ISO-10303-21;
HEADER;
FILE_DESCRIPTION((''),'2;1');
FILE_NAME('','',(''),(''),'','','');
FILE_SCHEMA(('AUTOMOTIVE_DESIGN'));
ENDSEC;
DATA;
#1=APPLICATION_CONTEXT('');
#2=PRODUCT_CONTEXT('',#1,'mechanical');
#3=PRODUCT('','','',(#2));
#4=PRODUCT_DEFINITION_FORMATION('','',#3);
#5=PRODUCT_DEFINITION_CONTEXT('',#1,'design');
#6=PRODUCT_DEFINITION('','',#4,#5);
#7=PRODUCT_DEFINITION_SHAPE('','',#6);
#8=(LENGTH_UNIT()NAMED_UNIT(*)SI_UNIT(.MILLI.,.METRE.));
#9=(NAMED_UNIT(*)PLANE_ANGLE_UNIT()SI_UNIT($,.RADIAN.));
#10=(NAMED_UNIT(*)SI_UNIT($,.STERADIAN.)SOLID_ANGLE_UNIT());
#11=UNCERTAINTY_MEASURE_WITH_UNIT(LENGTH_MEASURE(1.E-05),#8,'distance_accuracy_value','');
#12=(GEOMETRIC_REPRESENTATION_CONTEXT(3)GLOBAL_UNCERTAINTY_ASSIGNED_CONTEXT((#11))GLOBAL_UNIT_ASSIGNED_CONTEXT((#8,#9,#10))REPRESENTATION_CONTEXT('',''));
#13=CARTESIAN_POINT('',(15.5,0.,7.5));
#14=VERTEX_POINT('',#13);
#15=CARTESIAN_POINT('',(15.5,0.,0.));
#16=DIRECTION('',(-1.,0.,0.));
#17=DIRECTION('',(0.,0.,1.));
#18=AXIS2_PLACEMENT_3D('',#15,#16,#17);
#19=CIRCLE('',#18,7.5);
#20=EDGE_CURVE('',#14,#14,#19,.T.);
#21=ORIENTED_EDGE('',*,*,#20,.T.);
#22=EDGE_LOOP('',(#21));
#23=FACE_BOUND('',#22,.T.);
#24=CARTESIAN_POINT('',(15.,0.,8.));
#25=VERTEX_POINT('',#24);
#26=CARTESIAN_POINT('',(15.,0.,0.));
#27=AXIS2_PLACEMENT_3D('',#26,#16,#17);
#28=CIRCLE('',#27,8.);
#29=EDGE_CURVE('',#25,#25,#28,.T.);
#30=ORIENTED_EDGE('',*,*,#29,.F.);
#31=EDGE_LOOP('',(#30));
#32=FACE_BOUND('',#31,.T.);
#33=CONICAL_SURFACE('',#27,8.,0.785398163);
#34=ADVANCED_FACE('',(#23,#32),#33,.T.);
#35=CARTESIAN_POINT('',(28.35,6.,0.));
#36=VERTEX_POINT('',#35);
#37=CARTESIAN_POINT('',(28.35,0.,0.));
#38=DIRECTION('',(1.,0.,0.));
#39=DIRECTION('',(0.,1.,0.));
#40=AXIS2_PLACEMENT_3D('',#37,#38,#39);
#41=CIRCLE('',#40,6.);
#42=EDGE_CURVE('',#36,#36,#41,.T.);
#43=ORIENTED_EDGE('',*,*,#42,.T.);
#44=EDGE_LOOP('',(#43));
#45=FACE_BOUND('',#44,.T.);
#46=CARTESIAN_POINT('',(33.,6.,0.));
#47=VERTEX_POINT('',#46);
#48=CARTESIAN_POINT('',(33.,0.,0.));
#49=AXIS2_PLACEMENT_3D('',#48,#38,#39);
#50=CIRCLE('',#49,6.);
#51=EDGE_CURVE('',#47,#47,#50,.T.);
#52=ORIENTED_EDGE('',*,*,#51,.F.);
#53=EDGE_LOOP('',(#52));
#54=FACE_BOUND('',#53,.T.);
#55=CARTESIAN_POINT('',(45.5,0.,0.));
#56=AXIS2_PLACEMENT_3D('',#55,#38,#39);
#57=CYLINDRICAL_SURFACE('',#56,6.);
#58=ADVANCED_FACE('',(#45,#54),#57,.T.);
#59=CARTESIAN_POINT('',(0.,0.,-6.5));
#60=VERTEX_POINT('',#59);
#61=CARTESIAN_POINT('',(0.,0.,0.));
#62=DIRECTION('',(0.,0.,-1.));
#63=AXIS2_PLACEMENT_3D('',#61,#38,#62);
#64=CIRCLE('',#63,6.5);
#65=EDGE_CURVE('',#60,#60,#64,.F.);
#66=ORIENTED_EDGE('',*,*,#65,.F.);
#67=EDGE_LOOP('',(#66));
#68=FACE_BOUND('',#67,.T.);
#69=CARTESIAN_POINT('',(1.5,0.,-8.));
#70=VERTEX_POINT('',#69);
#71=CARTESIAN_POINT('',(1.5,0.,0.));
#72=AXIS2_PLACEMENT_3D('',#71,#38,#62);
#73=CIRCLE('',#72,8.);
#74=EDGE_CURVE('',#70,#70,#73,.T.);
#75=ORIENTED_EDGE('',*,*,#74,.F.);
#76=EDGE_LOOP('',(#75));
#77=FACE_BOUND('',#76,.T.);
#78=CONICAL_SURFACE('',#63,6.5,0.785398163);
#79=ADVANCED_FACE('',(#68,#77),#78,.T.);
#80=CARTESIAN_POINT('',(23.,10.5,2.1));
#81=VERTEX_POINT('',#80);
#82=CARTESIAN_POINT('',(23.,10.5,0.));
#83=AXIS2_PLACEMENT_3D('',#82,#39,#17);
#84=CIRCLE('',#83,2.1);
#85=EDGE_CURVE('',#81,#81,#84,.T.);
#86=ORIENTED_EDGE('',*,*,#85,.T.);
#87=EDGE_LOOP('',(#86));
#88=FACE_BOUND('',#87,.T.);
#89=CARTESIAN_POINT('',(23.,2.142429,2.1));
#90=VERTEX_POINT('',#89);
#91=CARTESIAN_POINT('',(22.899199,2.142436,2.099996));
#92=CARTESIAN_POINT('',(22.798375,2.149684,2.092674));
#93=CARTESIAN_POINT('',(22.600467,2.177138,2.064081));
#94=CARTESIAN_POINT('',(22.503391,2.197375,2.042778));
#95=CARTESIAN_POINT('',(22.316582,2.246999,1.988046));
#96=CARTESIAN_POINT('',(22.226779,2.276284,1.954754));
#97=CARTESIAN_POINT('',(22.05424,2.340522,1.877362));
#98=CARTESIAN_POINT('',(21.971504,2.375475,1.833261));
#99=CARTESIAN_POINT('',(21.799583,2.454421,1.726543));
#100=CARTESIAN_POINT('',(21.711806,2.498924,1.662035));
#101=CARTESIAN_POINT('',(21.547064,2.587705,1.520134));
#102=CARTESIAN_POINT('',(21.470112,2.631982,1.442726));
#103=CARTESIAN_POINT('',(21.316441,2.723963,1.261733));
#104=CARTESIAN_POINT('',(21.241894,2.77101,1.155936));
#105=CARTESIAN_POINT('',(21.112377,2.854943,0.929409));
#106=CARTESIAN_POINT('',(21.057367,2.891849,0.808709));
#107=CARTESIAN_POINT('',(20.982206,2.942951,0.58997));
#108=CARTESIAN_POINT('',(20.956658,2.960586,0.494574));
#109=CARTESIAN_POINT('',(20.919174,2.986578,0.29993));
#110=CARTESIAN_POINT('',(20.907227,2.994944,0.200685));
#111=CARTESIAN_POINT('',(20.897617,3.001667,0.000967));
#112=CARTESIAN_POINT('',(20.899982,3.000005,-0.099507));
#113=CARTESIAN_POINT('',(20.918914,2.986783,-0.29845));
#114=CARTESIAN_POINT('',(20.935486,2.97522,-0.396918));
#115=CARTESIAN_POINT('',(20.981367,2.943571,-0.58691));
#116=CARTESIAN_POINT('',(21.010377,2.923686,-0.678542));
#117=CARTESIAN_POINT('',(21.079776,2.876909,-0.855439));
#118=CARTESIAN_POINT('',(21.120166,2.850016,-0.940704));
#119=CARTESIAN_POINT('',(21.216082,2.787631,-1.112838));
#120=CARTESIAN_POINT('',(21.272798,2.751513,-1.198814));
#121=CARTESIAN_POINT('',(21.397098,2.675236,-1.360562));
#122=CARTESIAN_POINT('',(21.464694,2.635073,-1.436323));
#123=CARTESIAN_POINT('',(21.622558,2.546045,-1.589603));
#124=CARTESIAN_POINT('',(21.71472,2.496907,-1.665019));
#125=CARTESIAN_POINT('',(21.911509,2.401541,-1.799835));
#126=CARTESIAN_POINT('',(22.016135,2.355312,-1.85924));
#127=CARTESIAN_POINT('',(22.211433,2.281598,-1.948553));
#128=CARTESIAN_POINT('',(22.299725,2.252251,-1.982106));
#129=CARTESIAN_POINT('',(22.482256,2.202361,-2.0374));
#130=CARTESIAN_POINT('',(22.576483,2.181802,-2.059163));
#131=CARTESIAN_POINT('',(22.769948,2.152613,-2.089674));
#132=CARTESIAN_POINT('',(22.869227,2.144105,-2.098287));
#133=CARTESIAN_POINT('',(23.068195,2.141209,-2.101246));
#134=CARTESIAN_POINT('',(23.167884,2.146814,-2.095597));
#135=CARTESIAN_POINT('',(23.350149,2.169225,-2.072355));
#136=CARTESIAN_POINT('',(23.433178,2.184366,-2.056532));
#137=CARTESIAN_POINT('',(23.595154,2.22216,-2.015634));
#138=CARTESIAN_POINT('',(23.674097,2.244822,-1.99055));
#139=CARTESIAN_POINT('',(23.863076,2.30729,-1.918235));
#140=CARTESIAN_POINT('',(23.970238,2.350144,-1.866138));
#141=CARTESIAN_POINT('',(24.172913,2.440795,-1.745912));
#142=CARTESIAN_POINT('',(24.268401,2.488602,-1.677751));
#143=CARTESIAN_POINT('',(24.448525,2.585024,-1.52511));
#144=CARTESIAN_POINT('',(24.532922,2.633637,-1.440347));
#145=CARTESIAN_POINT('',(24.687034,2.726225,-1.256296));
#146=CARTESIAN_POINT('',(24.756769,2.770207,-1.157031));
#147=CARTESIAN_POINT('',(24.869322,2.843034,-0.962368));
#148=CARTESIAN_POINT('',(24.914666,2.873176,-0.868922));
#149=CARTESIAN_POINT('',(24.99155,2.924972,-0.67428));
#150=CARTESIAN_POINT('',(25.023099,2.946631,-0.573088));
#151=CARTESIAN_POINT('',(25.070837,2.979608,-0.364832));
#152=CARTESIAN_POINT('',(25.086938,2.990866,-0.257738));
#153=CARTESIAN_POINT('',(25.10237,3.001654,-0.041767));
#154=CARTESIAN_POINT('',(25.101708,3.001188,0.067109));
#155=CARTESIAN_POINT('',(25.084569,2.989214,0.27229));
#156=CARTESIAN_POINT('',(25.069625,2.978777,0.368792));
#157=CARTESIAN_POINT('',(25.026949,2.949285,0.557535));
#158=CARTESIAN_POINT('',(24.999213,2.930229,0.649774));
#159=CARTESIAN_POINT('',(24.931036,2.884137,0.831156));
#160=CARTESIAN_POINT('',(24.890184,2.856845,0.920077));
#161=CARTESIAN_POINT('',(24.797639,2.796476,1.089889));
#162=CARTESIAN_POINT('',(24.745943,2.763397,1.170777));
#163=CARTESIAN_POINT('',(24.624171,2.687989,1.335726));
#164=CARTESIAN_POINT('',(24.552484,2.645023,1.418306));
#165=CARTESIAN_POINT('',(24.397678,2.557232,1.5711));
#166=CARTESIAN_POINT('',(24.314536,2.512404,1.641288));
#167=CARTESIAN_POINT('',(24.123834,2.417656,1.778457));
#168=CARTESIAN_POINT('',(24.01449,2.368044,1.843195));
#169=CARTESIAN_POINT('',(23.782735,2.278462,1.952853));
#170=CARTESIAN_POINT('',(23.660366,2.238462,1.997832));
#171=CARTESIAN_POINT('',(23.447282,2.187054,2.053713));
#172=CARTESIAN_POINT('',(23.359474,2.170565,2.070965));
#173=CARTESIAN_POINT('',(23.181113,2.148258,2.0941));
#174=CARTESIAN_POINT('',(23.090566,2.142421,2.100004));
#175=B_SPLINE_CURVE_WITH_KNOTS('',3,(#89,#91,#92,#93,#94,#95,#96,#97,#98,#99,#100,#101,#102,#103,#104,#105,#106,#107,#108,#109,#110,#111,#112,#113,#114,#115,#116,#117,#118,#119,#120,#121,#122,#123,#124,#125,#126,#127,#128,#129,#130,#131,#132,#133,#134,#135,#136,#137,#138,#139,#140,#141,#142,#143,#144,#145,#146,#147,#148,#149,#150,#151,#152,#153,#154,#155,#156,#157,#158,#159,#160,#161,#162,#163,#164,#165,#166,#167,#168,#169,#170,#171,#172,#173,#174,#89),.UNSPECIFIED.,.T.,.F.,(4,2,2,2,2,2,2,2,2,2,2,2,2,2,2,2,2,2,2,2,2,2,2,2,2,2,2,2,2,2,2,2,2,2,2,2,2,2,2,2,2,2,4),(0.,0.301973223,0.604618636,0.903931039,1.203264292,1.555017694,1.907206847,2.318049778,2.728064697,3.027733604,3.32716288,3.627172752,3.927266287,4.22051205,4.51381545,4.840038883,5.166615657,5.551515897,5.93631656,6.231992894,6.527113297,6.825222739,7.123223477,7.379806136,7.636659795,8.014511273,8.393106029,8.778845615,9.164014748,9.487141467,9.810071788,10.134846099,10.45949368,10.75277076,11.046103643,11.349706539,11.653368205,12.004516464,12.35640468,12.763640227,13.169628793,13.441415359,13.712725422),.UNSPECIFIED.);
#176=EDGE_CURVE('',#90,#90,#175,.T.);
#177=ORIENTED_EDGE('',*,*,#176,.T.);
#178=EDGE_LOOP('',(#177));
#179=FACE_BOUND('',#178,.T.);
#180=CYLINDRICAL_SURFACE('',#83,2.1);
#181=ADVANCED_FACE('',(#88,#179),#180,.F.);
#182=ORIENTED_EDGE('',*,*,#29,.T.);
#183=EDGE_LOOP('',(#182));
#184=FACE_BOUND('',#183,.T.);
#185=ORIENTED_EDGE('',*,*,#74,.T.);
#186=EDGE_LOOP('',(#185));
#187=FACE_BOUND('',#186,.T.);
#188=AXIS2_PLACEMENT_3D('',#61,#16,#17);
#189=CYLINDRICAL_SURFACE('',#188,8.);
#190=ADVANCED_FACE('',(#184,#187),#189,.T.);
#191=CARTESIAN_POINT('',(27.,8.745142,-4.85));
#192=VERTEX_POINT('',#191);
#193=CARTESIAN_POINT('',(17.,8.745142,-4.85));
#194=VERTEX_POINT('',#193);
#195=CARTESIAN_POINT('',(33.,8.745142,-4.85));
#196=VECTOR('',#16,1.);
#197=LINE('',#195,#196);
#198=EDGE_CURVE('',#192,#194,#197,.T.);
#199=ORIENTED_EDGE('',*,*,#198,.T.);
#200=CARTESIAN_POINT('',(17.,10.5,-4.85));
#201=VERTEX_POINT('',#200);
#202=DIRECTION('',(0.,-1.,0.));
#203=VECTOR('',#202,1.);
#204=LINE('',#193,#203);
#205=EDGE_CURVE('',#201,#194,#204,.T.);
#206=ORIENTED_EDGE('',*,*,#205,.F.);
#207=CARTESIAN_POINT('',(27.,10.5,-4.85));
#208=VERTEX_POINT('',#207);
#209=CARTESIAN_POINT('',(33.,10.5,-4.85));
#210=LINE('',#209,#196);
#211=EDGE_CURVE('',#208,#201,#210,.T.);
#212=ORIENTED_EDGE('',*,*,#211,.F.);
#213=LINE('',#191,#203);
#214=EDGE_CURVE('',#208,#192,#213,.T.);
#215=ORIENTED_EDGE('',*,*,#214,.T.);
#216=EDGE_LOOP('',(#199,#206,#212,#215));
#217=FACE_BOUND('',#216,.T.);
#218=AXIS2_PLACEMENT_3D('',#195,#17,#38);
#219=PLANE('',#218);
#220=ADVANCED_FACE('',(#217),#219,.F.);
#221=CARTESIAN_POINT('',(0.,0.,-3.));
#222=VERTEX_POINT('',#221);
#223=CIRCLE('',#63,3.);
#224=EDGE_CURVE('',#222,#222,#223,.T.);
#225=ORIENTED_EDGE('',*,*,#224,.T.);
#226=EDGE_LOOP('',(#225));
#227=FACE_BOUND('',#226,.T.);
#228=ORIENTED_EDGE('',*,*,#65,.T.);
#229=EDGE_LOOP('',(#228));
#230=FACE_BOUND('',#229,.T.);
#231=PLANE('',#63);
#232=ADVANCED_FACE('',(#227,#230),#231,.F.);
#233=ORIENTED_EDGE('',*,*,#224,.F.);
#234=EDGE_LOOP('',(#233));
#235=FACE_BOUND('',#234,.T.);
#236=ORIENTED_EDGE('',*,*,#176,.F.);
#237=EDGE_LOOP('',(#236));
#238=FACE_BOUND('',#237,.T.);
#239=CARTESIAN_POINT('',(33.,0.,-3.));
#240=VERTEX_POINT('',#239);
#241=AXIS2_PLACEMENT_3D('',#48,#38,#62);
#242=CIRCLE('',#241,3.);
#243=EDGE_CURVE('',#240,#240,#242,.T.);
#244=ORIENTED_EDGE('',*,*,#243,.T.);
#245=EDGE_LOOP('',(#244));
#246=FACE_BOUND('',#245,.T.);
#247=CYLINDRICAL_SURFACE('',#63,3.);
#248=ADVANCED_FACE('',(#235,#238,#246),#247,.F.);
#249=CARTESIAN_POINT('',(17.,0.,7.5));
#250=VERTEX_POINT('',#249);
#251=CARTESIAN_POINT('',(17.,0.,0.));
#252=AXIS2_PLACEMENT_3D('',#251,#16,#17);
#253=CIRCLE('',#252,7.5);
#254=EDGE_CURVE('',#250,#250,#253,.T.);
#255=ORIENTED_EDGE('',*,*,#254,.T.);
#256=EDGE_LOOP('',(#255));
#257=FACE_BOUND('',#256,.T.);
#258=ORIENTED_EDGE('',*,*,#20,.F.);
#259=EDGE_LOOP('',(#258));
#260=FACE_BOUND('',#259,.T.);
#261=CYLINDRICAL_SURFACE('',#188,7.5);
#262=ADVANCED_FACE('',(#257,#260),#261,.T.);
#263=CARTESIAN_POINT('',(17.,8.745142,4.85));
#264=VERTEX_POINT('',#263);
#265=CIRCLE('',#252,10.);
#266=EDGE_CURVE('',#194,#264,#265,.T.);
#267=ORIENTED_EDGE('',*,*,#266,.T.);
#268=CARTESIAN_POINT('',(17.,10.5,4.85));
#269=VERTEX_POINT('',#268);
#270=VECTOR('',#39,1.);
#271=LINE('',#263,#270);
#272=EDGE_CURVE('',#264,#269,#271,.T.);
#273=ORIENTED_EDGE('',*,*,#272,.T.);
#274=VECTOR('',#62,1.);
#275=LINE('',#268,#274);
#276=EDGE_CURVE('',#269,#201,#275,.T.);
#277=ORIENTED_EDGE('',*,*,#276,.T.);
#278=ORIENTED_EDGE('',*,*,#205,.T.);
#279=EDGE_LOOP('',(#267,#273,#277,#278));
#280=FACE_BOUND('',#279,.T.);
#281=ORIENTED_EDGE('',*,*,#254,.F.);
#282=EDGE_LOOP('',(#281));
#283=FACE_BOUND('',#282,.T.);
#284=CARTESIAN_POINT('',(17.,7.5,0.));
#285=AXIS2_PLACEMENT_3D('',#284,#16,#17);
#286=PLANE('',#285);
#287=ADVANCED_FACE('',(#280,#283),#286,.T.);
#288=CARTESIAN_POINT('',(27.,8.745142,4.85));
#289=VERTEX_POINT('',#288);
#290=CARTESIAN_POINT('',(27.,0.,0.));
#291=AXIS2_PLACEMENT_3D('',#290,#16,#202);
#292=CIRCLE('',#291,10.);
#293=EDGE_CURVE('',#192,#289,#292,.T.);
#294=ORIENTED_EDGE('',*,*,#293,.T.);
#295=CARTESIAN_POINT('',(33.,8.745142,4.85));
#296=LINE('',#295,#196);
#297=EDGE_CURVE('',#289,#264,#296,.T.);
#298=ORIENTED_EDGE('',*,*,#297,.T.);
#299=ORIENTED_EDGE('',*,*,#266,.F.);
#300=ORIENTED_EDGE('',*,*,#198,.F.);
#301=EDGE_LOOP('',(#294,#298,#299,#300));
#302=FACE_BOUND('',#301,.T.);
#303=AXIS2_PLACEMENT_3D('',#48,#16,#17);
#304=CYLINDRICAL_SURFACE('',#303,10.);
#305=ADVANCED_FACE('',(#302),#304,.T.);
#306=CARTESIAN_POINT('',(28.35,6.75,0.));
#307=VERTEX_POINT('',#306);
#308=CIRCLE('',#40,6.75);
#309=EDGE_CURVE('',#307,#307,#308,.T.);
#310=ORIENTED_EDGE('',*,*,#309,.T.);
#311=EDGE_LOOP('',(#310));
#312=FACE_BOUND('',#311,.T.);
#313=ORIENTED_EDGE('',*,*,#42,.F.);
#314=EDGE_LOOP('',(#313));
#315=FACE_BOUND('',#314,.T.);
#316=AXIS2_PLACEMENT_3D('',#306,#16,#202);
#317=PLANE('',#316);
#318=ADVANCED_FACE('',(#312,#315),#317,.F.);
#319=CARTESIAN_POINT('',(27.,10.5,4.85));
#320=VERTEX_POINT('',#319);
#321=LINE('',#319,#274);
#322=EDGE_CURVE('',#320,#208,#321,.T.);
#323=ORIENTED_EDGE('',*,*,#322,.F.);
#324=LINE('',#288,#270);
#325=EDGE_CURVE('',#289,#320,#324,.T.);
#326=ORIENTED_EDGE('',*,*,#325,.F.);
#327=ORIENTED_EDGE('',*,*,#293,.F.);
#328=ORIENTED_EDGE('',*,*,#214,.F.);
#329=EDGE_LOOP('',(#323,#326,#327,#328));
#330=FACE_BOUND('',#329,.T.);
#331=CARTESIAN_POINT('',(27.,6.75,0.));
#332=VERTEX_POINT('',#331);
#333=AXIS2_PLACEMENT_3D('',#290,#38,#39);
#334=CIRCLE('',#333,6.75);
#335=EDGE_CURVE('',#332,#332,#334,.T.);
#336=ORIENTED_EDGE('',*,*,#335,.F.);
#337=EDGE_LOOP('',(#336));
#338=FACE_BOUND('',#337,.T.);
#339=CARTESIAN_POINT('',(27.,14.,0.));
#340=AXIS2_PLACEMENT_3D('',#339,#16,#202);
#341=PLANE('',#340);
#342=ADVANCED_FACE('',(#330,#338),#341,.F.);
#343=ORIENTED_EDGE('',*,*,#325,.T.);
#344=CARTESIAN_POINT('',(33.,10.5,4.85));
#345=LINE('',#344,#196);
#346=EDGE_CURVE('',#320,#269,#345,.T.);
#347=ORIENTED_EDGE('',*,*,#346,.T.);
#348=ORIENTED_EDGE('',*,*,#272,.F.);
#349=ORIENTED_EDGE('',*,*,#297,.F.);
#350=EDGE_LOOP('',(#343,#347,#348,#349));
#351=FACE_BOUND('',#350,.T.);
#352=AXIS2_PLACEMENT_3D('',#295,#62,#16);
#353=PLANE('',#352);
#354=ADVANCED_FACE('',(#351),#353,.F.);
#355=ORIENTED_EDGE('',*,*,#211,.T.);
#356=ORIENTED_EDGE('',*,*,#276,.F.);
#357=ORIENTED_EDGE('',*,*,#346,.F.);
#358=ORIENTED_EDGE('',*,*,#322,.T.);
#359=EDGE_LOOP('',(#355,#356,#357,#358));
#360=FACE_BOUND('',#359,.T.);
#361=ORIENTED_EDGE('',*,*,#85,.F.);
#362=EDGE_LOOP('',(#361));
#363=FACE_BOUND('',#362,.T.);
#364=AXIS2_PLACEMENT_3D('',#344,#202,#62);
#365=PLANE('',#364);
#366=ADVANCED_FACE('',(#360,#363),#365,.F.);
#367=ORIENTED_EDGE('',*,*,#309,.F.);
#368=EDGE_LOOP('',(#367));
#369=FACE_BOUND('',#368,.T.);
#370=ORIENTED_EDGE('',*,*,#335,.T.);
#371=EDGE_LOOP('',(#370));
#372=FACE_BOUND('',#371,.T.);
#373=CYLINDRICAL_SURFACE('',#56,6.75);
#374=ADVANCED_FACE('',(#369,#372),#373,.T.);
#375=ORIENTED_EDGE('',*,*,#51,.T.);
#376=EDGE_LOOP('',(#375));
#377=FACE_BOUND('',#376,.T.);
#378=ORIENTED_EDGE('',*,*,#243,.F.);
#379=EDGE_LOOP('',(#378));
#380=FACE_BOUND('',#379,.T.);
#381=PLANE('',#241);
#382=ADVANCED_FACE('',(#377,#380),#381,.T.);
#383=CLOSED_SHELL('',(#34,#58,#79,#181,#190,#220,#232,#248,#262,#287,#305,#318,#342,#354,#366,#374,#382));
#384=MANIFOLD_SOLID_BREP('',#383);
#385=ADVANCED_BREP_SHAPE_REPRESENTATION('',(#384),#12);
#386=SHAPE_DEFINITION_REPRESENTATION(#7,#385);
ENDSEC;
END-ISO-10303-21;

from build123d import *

# Parameters (mm, degrees)
BOSS_EXTRUDE1_DEPTH     = 33
CHAMFER1_SIZE           = 1.5
G1_8_TAPPED_HOLE1_D     = 4.2
G1_8_TAPPED_HOLE1_DEPTH = 11
G1_8_TAPPED_HOLE1_TIP   = 1.2618073
SKETCH6_R               = 3
CUT_EXTRUDE1_DEPTH      = 34


with BuildPart() as part:
    # Sketch1 → Boss-Extrude1 (new body)
    with BuildSketch(Plane(origin=(0, 0, 0), x_dir=(0, 0, -1), z_dir=(1, 0, 0))):
        with BuildLine():
            Line((-4.85, 8.745141508), (-4.85, 10.5))
            Line((-4.85, 10.5), (4.85, 10.5))
            Line((4.85, 10.5), (4.85, 8.745141508))
            ThreePointArc((4.85, 8.745141508), (0, -10), (-4.85, 8.745141508))
        make_face()
    extrude(amount=BOSS_EXTRUDE1_DEPTH)

    # Sketch2 → Cut-Revolve1 (revolve, cut)
    with BuildSketch(Plane.XY):
        Polygon((27, 14), (27, 6.75), (28.35, 6.75), (28.35, 6), (33, 6), (33, 14), align=None)
    revolve(axis=Axis((45.5, 0, 0), (-1, 0, 0)), mode=Mode.SUBTRACT)

    # Sketch3 → Cut-Revolve2 (revolve, cut)
    with BuildSketch(Plane.XY):
        Polygon((0, 8), (15, 8), (15.5, 7.5), (17, 7.5), (17, 16), (0, 16), align=None)
    revolve(axis=Axis((0, 0, 0), (1, 0, 0)), mode=Mode.SUBTRACT)

    # Chamfer1
    chamfer1_edges = [part.edges().sort_by_distance(p)[0] for p in [
        (0, -8, 0),
    ]]
    chamfer(chamfer1_edges, length=CHAMFER1_SIZE)

    # G1/8 Tapped Hole1
    with Locations(Plane(origin=(0, 10.5, 0), x_dir=(-1, 0, 0), z_dir=(0, 1, 0))):
        with Locations((-23, 0)):
            Hole(G1_8_TAPPED_HOLE1_D / 2, depth=G1_8_TAPPED_HOLE1_DEPTH)
            with Locations((0, 0, -(G1_8_TAPPED_HOLE1_DEPTH + G1_8_TAPPED_HOLE1_TIP / 2))):  # 118° drill point
                Cone(0, G1_8_TAPPED_HOLE1_D / 2, G1_8_TAPPED_HOLE1_TIP, mode=Mode.SUBTRACT)

    # Sketch6 → Cut-Extrude1 (cut, through all)
    with BuildSketch(Plane(origin=(33, 0, 0), x_dir=(0, 0, -1), z_dir=(1, 0, 0))):
        Circle(SKETCH6_R)
    extrude(amount=-CUT_EXTRUDE1_DEPTH, mode=Mode.SUBTRACT)


solid = part.part
